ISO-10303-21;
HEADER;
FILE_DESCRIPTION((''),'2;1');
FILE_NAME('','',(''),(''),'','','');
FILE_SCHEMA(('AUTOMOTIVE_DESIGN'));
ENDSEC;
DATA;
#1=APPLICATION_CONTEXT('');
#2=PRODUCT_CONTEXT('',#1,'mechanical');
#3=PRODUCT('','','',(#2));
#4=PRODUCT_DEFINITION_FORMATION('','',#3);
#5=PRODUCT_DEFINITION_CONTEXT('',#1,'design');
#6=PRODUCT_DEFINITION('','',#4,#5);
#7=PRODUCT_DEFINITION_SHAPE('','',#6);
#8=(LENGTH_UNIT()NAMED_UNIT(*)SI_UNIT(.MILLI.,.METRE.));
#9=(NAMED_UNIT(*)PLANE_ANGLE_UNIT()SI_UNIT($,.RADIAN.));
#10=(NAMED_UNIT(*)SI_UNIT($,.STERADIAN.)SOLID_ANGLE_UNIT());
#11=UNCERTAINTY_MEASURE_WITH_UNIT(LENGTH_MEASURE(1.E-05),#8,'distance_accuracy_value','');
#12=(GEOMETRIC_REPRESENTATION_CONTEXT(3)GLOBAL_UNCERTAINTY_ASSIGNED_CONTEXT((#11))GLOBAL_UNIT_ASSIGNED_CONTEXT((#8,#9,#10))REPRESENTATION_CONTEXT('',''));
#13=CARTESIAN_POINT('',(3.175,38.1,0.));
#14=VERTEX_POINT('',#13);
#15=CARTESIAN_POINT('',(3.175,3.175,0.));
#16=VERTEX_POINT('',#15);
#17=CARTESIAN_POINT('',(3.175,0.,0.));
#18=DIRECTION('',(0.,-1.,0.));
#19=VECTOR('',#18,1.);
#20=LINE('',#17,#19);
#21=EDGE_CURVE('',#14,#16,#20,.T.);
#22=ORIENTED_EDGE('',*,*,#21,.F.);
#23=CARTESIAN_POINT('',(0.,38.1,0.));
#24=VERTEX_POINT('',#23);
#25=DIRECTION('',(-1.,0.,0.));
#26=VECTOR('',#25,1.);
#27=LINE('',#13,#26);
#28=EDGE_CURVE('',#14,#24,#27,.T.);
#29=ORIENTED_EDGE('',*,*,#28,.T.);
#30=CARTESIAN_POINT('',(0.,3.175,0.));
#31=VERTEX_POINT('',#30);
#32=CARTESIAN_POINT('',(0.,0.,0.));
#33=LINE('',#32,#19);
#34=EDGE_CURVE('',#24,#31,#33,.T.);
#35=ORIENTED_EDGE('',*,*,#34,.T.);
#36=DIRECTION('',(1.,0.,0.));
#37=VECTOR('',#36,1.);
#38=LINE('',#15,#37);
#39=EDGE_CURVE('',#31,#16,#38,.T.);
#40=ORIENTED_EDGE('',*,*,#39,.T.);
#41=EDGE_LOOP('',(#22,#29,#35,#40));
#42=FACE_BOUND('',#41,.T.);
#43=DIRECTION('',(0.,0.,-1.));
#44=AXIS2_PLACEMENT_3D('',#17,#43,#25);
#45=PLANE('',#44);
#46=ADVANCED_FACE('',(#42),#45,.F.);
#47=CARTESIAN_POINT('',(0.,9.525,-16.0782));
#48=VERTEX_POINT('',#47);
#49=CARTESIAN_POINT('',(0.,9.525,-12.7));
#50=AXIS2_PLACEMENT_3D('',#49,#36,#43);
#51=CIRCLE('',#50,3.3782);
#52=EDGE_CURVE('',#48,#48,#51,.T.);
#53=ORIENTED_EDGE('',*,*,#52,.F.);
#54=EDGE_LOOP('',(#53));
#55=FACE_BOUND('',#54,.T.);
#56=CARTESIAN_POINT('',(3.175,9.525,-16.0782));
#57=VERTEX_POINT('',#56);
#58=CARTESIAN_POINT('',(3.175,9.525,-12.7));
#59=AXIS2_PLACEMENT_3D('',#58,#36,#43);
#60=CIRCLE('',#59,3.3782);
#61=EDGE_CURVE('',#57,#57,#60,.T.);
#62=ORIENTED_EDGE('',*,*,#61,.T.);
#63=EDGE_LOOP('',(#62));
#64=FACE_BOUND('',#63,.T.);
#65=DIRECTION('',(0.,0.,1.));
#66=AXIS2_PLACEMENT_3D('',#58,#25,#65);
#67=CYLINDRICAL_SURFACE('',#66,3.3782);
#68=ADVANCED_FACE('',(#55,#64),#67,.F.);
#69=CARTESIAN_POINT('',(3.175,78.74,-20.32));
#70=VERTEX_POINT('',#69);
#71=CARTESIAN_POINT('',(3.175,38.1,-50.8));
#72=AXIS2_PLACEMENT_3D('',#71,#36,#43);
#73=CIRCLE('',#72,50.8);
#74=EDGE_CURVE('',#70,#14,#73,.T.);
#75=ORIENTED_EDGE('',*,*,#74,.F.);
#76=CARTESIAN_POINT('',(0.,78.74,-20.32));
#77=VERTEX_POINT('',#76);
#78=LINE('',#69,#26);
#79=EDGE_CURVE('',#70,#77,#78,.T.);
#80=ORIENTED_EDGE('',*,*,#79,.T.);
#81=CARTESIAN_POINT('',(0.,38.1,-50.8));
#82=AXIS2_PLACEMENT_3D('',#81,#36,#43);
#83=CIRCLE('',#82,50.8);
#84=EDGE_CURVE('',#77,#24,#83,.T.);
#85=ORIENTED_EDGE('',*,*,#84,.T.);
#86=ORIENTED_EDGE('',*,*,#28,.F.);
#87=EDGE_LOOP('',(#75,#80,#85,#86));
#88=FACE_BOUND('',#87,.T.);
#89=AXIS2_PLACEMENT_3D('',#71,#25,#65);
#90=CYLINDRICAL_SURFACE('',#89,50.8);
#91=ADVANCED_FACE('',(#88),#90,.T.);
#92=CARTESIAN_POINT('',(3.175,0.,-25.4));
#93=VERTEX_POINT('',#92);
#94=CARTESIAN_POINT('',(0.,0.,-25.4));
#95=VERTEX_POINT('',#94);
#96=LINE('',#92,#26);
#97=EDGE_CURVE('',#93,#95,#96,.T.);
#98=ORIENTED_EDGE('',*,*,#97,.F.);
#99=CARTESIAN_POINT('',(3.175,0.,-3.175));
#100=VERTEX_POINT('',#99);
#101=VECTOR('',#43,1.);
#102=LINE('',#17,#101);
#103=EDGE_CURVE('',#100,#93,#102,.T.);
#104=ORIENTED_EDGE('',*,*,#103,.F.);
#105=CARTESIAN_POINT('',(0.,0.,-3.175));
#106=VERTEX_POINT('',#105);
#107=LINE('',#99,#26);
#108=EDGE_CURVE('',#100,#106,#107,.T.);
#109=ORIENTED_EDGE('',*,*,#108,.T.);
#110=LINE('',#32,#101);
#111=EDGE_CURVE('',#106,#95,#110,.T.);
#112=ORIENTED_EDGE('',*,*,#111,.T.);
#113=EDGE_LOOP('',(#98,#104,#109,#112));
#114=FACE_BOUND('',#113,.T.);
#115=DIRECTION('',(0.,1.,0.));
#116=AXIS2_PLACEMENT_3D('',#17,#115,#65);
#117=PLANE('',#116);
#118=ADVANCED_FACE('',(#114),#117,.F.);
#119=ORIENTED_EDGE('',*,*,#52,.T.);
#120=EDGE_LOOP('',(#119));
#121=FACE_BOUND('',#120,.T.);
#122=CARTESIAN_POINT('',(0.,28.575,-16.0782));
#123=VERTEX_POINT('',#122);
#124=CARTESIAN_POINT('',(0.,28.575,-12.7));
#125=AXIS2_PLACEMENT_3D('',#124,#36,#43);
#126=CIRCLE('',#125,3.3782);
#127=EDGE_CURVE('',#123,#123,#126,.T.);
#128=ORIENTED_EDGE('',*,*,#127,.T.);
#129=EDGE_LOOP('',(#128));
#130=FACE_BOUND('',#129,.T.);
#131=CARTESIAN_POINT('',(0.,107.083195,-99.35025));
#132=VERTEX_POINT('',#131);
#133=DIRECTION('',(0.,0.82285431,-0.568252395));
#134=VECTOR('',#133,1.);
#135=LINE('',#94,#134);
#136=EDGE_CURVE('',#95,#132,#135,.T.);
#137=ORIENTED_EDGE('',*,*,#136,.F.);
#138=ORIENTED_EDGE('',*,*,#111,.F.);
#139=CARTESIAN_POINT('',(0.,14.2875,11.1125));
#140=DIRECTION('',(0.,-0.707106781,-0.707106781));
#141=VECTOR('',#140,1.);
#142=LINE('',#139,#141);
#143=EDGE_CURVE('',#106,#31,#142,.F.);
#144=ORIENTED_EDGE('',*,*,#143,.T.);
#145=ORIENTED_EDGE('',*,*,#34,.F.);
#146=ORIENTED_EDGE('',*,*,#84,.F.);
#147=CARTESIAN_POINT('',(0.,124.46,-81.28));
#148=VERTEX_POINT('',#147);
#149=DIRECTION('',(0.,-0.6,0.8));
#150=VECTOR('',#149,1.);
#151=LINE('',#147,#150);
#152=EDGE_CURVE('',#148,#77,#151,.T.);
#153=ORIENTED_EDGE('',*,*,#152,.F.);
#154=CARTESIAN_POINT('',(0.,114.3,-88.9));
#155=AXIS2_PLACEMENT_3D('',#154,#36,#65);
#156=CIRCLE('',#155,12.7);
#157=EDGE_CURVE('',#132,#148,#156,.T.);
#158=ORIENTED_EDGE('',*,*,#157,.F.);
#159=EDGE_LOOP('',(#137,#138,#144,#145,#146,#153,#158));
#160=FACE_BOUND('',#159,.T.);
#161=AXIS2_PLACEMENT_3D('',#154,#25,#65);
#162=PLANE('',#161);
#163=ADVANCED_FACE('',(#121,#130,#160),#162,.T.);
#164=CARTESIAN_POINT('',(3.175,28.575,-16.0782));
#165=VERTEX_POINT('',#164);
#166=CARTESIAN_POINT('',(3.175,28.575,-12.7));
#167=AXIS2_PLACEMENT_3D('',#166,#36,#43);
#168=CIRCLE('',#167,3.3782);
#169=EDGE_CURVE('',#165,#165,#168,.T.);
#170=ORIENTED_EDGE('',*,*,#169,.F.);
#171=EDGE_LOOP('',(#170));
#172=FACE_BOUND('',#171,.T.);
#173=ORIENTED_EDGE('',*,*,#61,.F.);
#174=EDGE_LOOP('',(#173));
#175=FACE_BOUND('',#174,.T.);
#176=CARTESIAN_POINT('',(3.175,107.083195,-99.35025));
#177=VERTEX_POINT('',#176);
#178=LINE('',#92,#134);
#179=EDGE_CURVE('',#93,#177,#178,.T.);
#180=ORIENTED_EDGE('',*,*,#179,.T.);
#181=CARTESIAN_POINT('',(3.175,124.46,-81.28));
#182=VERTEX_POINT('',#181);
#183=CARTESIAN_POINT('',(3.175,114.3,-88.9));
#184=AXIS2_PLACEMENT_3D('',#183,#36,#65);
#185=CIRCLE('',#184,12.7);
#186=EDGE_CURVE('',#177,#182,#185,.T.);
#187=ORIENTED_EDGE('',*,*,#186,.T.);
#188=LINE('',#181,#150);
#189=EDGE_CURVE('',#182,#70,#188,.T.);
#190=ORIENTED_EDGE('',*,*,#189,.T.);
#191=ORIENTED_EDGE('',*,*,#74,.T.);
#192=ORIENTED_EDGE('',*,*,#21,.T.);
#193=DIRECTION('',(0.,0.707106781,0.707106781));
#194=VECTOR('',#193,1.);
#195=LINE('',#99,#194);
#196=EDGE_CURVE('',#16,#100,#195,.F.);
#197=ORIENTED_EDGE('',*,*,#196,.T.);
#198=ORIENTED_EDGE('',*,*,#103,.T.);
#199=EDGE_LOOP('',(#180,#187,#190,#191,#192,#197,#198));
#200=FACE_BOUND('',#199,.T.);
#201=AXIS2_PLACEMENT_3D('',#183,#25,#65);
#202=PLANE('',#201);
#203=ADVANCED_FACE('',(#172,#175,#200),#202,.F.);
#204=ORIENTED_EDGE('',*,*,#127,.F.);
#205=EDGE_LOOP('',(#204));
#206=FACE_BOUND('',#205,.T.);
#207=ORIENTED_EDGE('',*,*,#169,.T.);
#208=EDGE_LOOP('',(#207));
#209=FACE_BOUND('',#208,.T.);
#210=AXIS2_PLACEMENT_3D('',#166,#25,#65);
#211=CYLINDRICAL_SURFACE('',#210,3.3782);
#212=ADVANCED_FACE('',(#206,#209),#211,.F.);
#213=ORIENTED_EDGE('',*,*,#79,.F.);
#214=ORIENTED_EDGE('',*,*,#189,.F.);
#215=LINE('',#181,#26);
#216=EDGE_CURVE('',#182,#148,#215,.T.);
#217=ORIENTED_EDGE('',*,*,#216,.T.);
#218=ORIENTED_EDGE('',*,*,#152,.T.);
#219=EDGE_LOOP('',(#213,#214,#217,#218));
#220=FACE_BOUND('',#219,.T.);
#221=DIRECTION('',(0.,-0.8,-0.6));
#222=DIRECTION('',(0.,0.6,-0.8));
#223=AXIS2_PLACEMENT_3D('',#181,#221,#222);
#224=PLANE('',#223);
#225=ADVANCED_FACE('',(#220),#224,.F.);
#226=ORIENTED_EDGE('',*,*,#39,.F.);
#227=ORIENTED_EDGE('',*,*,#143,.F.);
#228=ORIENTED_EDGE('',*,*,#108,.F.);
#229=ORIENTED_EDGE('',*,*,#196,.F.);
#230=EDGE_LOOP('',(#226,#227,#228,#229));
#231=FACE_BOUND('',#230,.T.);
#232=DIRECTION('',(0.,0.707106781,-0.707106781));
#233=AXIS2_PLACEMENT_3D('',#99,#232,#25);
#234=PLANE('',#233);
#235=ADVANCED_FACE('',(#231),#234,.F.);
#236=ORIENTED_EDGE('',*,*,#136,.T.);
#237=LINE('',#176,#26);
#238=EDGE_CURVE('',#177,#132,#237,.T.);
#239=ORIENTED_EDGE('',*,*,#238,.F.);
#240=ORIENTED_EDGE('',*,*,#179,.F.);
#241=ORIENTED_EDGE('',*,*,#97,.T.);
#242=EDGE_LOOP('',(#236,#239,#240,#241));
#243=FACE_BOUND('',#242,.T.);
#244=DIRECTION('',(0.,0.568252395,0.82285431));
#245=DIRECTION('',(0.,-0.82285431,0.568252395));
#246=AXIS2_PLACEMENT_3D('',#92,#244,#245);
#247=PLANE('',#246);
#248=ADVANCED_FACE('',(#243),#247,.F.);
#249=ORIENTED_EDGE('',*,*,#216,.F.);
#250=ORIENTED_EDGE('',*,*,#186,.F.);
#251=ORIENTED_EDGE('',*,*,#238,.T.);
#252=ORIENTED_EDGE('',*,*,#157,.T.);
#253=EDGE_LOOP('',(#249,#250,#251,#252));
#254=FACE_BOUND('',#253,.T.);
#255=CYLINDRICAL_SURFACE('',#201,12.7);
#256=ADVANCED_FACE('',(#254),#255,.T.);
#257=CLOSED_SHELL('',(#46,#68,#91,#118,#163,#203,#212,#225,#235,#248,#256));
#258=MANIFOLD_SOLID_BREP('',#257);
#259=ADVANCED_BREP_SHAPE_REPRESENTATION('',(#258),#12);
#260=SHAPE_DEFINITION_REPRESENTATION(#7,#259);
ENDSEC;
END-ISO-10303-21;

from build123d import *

# Parameters (mm, degrees)
SKETCH1_R           = 3.3782
BOSS_EXTRUDE1_DEPTH = 3.175
CHAMFER1_SIZE       = 3.175


with BuildPart() as part:
    # Sketch1 → Boss-Extrude1 (new body)
    with BuildSketch(Plane(origin=(0, 0, 0), x_dir=(0, 0, -1), z_dir=(1, 0, 0))):
        with BuildLine():
            Line((0, 0), (0, 38.1))
            ThreePointArc((0, 38.1), (5.363098697, 60.818450651), (20.32, 78.74))
            Line((20.32, 78.74), (81.28, 124.46))
            ThreePointArc((81.28, 124.46), (97.702892705, 123.454183744), (99.350249741, 107.083194588))
            Line((99.350249741, 107.083194588), (25.4, 0))
            Line((25.4, 0), (0, 0))
        make_face()
        with Locations((12.7, 9.525)):
            Circle(SKETCH1_R, mode=Mode.SUBTRACT)
        with Locations((12.7, 28.575)):
            Circle(SKETCH1_R, mode=Mode.SUBTRACT)
    extrude(amount=BOSS_EXTRUDE1_DEPTH)

    # Chamfer1
    chamfer1_edges = [part.edges().sort_by_distance(p)[0] for p in [
        (1.5875, 0, 0),
    ]]
    chamfer(chamfer1_edges, length=CHAMFER1_SIZE)


solid = part.part
